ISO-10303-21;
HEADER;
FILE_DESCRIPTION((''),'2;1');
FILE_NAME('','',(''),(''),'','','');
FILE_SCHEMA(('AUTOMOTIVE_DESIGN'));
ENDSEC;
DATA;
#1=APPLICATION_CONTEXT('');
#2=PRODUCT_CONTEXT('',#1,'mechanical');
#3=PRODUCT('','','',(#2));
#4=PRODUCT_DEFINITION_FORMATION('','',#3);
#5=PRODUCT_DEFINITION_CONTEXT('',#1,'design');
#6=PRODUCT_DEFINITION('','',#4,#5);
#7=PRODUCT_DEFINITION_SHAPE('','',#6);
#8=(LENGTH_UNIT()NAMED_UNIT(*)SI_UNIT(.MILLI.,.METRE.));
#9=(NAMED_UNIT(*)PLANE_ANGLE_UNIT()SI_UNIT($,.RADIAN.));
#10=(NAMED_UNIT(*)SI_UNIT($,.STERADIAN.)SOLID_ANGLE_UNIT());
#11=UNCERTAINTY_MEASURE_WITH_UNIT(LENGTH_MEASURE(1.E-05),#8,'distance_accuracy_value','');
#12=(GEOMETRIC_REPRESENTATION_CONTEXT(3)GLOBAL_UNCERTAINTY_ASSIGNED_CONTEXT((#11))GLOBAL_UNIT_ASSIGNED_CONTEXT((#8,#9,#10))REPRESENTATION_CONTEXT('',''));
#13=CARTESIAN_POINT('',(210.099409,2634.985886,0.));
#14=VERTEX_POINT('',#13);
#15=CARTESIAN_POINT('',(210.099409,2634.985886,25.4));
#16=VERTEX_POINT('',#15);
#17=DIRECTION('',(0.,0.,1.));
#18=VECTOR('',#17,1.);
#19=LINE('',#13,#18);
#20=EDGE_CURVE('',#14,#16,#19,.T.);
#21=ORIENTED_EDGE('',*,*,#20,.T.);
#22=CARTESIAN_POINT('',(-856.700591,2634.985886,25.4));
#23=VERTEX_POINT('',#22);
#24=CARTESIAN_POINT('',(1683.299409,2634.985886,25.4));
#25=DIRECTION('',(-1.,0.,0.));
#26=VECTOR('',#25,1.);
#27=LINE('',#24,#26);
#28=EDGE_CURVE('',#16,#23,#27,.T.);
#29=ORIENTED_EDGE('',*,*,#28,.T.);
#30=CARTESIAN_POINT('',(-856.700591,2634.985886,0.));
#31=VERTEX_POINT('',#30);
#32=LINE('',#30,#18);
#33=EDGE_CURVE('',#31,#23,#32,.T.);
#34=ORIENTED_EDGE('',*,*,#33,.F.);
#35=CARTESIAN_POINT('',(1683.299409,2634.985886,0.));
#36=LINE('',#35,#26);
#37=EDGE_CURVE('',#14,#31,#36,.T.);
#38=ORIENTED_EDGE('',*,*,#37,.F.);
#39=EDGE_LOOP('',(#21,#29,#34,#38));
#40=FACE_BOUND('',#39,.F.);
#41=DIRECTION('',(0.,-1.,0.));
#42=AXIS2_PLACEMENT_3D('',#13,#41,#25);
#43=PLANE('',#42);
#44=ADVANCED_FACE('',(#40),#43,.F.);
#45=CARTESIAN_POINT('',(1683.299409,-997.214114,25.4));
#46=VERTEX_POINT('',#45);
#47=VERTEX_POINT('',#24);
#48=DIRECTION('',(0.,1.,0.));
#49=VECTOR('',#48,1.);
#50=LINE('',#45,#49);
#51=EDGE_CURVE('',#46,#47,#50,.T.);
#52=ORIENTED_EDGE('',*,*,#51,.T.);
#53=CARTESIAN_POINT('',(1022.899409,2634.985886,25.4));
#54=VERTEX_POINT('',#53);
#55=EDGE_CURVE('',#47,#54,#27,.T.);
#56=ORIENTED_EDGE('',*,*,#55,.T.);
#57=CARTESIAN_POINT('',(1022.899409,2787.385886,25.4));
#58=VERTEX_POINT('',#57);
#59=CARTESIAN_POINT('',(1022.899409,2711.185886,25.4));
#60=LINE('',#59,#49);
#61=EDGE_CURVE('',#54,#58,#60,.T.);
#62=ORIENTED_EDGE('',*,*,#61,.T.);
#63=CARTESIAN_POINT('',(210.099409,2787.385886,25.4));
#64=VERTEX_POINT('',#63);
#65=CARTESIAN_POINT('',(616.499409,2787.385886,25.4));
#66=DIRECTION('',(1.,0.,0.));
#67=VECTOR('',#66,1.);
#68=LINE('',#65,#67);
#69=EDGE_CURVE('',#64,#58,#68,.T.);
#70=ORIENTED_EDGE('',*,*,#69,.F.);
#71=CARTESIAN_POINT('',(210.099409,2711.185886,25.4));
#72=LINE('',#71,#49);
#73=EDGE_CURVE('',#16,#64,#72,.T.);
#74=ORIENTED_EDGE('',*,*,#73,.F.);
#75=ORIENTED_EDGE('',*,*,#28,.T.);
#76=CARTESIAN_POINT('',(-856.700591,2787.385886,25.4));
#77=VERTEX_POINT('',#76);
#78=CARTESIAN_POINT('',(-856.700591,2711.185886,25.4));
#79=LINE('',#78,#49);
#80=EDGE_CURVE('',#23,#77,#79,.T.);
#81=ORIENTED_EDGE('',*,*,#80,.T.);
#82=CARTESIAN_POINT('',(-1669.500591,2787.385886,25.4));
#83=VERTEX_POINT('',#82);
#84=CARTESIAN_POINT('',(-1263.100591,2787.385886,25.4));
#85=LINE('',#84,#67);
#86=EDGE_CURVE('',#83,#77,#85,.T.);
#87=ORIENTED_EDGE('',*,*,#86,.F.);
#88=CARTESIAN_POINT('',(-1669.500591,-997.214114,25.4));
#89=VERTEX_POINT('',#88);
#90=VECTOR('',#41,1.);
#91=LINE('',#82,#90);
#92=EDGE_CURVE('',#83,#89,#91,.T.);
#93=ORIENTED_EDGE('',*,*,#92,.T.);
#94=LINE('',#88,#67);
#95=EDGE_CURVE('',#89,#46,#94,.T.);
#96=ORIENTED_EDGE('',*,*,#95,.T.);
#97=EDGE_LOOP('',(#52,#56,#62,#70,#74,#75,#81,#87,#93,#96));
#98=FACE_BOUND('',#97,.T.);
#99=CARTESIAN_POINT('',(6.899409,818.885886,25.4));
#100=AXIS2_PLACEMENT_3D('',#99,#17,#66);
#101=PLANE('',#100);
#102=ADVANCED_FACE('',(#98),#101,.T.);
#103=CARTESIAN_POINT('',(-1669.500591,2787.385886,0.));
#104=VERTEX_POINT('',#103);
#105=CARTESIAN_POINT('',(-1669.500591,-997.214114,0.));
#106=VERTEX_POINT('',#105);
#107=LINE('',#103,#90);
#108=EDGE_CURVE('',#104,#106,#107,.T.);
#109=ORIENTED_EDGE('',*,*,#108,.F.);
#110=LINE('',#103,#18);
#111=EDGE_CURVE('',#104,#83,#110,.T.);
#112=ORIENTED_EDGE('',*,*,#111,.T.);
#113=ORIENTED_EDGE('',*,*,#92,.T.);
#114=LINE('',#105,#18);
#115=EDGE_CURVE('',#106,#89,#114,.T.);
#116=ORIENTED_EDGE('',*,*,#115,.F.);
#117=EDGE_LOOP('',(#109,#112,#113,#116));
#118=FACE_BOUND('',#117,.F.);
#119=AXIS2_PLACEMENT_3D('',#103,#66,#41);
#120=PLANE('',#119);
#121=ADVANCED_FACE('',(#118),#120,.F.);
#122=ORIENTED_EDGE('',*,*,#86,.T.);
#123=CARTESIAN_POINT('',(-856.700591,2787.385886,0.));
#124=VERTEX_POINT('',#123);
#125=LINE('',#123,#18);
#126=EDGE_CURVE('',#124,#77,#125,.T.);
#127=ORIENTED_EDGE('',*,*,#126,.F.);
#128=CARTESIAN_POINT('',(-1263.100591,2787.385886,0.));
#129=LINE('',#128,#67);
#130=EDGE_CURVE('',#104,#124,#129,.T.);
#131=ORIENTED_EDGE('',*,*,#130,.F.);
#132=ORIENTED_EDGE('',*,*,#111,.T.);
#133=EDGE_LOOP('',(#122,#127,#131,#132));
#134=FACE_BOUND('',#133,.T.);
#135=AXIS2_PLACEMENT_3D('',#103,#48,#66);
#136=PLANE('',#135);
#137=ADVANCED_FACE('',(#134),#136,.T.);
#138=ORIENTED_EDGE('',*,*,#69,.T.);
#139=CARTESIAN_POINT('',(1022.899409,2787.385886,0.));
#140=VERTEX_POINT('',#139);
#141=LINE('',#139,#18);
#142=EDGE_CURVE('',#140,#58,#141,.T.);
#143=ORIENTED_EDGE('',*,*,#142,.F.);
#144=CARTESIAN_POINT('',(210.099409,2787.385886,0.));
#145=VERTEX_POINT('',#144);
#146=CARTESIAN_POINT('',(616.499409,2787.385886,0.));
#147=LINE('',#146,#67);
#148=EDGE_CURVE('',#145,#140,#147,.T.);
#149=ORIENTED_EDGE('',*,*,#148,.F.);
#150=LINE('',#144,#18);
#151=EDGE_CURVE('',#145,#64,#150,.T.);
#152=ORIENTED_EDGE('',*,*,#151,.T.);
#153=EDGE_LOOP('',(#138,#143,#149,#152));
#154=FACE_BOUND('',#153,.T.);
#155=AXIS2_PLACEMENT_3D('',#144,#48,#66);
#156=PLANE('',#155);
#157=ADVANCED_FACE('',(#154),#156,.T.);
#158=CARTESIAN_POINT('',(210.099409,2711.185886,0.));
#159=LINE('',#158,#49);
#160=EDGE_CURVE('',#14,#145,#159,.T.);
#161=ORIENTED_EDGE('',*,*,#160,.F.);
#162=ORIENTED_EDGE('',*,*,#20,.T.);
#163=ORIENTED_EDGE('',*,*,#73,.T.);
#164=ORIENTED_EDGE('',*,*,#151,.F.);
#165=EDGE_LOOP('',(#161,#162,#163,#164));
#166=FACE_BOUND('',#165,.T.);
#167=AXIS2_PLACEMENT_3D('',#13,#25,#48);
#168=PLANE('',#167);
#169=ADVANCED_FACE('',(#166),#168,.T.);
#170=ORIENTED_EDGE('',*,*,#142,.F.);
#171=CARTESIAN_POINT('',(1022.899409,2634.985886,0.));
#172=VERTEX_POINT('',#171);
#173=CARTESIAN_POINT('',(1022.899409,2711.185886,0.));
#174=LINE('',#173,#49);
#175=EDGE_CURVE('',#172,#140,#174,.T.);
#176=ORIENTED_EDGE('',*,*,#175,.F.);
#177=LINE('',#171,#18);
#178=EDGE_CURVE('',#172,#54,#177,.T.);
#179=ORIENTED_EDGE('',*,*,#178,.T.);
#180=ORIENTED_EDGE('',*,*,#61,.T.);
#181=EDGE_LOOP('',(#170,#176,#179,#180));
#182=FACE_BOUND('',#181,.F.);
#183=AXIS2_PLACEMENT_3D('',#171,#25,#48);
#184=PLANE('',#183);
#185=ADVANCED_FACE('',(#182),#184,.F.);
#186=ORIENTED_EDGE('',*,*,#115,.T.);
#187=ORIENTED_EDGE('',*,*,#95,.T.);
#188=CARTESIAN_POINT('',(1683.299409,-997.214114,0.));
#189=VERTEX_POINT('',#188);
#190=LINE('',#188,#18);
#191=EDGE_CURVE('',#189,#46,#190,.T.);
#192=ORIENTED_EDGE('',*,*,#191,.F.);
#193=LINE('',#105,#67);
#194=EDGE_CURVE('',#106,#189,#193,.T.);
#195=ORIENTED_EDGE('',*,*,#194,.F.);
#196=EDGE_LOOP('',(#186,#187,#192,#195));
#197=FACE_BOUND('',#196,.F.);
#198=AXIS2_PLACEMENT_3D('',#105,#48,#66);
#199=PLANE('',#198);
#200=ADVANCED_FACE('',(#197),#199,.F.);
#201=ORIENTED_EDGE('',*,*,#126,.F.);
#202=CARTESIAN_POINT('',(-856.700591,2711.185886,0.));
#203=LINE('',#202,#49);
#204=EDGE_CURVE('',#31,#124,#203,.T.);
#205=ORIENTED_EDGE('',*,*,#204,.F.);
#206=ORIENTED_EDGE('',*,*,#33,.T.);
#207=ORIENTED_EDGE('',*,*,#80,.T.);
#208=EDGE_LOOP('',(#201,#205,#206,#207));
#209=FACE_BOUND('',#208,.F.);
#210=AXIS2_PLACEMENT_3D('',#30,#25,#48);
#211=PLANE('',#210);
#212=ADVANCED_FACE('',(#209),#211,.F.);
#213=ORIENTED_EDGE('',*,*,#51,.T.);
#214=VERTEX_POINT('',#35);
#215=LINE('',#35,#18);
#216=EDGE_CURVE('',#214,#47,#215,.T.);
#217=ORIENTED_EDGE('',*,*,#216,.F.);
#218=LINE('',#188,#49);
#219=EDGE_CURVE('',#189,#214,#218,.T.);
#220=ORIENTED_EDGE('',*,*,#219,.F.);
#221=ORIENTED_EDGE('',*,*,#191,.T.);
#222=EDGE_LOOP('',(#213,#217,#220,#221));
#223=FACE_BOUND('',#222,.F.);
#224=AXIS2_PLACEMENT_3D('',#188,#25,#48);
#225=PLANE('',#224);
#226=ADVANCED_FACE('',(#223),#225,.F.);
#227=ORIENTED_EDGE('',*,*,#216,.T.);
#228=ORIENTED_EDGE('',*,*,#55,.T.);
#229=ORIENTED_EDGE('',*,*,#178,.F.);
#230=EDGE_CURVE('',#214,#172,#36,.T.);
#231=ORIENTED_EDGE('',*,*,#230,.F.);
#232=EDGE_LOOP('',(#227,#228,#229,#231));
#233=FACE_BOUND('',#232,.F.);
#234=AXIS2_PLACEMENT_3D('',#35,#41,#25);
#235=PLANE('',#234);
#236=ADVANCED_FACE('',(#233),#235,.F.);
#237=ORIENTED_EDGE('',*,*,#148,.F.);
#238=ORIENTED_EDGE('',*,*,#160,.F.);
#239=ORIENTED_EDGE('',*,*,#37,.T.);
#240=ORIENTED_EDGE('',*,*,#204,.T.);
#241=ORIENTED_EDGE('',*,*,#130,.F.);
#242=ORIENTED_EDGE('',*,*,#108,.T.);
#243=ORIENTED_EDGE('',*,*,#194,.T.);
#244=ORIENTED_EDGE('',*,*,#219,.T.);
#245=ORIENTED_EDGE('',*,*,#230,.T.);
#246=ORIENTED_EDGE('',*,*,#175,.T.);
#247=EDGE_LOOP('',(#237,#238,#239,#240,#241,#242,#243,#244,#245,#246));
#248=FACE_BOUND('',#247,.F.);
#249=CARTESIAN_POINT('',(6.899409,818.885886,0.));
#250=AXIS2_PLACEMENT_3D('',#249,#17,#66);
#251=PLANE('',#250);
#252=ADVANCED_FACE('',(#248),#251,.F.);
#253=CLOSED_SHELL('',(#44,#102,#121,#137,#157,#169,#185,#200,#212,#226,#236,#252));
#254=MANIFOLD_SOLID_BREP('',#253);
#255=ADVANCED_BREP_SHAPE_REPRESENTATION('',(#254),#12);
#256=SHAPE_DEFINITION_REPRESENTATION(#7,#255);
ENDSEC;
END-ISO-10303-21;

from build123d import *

# Parameters (mm, degrees)
F0_W     = 812.8
F0_H     = 152.4
F1_DEPTH = 25.4


with BuildPart() as f1:
    # F0 (on Top) → F1 (new body)
    with BuildSketch(Plane.XY):
        Polygon((-856.700591, 2634.985886), (-1669.500591, 2634.985886), (-1669.500591, -997.214114), (1683.299409, -997.214114), (1683.299409, 2634.985886), (1022.899409, 2634.985886), (210.099409, 2634.985886), align=None)
        with Locations((-1263.100591, 2711.185886)):
            Rectangle(F0_W, F0_H)
        with Locations((616.499409, 2711.185886)):
            Rectangle(F0_W, F0_H)
    extrude(amount=F1_DEPTH)


solid = f1.part
